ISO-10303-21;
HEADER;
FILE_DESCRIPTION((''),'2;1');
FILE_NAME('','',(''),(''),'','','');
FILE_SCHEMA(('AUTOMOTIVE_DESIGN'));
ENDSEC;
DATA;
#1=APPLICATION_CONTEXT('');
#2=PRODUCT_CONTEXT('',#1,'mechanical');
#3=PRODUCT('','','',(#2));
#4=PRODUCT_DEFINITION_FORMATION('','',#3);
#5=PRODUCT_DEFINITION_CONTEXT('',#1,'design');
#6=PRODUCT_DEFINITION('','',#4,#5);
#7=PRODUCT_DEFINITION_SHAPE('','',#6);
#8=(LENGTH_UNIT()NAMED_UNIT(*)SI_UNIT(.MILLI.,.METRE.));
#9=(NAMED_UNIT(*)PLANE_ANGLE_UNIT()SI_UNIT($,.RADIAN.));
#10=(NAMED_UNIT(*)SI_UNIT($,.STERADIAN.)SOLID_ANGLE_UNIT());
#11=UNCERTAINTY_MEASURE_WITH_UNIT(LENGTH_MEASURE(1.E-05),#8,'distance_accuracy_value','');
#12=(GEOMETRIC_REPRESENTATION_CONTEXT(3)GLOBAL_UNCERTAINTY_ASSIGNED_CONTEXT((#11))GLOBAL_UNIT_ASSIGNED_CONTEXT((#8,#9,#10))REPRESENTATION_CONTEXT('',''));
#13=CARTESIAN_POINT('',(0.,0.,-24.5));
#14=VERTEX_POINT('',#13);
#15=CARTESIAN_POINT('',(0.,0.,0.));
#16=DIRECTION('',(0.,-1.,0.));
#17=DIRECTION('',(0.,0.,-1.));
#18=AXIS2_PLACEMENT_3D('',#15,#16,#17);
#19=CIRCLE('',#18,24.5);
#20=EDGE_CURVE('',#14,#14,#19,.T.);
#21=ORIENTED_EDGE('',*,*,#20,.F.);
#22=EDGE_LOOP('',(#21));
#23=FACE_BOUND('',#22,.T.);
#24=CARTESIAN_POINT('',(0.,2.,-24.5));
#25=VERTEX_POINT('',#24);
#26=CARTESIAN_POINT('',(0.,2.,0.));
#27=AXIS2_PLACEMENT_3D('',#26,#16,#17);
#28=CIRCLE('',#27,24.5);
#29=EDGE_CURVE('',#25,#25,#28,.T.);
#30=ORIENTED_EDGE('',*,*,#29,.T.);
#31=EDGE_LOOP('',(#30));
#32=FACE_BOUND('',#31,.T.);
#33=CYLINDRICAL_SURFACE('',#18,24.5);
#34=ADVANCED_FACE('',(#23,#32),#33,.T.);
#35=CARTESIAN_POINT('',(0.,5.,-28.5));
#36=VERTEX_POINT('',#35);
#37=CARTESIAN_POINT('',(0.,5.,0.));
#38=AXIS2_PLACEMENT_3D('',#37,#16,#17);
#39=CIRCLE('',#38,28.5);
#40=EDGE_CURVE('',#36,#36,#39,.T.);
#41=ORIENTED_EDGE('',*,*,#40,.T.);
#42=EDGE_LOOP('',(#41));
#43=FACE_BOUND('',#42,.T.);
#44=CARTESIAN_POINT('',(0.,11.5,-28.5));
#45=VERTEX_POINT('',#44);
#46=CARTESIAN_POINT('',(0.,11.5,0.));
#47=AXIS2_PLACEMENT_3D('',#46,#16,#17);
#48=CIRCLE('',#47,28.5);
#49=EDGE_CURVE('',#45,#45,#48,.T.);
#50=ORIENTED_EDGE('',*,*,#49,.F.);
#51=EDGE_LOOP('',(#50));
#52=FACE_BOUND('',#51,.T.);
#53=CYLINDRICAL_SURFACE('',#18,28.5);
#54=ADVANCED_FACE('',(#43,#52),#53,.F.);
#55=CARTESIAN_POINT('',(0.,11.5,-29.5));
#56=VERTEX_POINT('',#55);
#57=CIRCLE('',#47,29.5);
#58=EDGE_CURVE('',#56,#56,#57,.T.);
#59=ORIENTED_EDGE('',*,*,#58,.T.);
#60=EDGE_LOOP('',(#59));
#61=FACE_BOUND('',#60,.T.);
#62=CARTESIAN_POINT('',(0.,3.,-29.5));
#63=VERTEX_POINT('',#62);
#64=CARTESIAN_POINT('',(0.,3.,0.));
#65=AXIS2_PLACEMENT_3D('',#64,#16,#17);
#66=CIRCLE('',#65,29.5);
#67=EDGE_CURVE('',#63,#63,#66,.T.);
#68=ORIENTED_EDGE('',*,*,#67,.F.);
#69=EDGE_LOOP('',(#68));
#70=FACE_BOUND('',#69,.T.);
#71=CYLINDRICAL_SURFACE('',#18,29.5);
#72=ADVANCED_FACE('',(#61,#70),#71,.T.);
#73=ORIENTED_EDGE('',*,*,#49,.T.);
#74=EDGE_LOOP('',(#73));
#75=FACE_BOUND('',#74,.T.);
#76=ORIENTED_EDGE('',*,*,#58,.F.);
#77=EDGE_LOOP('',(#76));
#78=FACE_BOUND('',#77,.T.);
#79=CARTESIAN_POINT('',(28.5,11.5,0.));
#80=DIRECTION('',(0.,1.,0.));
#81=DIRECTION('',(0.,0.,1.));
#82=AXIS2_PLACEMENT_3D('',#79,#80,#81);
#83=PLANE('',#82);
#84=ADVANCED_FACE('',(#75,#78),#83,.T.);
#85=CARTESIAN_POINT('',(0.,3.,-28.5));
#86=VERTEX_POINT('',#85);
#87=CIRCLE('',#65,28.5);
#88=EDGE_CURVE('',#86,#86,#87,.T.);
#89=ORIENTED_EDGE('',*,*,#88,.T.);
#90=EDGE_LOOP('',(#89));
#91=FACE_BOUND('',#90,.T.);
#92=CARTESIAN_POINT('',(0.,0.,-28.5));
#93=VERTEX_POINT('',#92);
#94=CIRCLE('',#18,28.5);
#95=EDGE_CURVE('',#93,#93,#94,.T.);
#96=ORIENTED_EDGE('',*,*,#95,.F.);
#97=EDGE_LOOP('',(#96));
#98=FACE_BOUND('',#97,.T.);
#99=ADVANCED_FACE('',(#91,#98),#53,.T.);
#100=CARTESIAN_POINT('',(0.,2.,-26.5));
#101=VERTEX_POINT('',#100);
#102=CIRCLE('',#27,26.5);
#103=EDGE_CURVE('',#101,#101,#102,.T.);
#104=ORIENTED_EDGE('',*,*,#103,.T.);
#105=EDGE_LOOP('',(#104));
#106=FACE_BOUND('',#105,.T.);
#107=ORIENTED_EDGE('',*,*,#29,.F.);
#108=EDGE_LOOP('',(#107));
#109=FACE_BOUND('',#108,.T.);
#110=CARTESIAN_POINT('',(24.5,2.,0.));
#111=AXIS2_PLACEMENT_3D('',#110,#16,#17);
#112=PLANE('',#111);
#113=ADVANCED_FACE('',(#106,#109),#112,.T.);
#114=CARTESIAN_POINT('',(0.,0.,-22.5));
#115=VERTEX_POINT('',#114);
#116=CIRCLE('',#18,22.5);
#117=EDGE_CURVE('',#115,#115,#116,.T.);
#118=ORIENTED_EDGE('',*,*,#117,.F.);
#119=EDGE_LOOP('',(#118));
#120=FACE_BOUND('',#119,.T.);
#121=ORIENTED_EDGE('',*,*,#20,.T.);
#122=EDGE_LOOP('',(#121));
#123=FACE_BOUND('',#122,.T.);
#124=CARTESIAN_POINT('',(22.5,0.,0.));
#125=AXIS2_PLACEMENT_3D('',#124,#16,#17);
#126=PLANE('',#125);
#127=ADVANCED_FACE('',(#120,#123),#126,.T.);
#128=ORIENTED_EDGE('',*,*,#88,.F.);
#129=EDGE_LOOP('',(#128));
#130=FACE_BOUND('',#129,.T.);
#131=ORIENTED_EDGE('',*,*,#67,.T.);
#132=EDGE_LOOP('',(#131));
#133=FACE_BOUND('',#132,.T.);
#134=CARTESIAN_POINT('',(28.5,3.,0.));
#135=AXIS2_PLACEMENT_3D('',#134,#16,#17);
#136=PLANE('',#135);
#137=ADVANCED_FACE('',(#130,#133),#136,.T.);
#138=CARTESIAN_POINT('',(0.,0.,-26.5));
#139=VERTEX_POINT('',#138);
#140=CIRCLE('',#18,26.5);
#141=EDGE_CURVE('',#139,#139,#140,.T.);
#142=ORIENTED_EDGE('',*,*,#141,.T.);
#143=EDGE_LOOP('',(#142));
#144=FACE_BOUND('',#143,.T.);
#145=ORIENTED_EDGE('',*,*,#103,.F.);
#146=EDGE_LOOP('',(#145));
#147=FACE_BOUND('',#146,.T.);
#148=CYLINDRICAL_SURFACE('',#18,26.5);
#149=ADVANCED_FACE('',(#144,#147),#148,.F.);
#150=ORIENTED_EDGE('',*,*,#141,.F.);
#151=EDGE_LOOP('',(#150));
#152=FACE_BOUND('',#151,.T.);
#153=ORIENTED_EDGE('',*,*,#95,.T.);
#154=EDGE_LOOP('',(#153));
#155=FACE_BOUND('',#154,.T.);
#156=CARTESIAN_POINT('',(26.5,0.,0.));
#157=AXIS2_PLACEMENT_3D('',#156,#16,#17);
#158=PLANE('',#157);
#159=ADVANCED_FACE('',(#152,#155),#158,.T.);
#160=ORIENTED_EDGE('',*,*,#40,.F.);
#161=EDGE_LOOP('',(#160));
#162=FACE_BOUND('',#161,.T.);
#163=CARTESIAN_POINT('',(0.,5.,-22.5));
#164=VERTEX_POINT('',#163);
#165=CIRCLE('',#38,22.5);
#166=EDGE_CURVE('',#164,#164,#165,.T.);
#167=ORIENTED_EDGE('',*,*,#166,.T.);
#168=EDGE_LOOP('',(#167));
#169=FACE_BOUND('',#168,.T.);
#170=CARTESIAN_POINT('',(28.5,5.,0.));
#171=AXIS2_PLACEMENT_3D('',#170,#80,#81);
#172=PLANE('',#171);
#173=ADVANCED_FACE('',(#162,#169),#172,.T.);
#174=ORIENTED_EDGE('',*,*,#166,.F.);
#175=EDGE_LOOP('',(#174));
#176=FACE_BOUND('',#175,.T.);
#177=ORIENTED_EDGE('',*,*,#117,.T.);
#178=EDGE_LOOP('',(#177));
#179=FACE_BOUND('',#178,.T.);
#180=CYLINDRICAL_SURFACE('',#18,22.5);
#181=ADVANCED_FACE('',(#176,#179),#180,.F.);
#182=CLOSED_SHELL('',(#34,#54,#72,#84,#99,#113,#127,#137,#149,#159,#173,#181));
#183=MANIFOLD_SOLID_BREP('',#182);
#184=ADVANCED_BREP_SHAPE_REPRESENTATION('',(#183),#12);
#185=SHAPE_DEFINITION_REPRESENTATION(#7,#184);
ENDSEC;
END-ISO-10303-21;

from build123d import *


with BuildPart() as part:
    # Schizzo1 → Rivoluzione1 (revolve)
    with BuildSketch(Plane.XY):
        Polygon((28.5, 0), (28.5, 3), (29.5, 3), (29.5, 11.5), (28.5, 11.5), (28.5, 5), (22.5, 5), (22.5, 0), (24.5, 0), (24.5, 2), (26.5, 2), (26.5, 0), align=None)
    revolve(axis=Axis((0, 0, 0), (0, 1, 0)))


solid = part.part
